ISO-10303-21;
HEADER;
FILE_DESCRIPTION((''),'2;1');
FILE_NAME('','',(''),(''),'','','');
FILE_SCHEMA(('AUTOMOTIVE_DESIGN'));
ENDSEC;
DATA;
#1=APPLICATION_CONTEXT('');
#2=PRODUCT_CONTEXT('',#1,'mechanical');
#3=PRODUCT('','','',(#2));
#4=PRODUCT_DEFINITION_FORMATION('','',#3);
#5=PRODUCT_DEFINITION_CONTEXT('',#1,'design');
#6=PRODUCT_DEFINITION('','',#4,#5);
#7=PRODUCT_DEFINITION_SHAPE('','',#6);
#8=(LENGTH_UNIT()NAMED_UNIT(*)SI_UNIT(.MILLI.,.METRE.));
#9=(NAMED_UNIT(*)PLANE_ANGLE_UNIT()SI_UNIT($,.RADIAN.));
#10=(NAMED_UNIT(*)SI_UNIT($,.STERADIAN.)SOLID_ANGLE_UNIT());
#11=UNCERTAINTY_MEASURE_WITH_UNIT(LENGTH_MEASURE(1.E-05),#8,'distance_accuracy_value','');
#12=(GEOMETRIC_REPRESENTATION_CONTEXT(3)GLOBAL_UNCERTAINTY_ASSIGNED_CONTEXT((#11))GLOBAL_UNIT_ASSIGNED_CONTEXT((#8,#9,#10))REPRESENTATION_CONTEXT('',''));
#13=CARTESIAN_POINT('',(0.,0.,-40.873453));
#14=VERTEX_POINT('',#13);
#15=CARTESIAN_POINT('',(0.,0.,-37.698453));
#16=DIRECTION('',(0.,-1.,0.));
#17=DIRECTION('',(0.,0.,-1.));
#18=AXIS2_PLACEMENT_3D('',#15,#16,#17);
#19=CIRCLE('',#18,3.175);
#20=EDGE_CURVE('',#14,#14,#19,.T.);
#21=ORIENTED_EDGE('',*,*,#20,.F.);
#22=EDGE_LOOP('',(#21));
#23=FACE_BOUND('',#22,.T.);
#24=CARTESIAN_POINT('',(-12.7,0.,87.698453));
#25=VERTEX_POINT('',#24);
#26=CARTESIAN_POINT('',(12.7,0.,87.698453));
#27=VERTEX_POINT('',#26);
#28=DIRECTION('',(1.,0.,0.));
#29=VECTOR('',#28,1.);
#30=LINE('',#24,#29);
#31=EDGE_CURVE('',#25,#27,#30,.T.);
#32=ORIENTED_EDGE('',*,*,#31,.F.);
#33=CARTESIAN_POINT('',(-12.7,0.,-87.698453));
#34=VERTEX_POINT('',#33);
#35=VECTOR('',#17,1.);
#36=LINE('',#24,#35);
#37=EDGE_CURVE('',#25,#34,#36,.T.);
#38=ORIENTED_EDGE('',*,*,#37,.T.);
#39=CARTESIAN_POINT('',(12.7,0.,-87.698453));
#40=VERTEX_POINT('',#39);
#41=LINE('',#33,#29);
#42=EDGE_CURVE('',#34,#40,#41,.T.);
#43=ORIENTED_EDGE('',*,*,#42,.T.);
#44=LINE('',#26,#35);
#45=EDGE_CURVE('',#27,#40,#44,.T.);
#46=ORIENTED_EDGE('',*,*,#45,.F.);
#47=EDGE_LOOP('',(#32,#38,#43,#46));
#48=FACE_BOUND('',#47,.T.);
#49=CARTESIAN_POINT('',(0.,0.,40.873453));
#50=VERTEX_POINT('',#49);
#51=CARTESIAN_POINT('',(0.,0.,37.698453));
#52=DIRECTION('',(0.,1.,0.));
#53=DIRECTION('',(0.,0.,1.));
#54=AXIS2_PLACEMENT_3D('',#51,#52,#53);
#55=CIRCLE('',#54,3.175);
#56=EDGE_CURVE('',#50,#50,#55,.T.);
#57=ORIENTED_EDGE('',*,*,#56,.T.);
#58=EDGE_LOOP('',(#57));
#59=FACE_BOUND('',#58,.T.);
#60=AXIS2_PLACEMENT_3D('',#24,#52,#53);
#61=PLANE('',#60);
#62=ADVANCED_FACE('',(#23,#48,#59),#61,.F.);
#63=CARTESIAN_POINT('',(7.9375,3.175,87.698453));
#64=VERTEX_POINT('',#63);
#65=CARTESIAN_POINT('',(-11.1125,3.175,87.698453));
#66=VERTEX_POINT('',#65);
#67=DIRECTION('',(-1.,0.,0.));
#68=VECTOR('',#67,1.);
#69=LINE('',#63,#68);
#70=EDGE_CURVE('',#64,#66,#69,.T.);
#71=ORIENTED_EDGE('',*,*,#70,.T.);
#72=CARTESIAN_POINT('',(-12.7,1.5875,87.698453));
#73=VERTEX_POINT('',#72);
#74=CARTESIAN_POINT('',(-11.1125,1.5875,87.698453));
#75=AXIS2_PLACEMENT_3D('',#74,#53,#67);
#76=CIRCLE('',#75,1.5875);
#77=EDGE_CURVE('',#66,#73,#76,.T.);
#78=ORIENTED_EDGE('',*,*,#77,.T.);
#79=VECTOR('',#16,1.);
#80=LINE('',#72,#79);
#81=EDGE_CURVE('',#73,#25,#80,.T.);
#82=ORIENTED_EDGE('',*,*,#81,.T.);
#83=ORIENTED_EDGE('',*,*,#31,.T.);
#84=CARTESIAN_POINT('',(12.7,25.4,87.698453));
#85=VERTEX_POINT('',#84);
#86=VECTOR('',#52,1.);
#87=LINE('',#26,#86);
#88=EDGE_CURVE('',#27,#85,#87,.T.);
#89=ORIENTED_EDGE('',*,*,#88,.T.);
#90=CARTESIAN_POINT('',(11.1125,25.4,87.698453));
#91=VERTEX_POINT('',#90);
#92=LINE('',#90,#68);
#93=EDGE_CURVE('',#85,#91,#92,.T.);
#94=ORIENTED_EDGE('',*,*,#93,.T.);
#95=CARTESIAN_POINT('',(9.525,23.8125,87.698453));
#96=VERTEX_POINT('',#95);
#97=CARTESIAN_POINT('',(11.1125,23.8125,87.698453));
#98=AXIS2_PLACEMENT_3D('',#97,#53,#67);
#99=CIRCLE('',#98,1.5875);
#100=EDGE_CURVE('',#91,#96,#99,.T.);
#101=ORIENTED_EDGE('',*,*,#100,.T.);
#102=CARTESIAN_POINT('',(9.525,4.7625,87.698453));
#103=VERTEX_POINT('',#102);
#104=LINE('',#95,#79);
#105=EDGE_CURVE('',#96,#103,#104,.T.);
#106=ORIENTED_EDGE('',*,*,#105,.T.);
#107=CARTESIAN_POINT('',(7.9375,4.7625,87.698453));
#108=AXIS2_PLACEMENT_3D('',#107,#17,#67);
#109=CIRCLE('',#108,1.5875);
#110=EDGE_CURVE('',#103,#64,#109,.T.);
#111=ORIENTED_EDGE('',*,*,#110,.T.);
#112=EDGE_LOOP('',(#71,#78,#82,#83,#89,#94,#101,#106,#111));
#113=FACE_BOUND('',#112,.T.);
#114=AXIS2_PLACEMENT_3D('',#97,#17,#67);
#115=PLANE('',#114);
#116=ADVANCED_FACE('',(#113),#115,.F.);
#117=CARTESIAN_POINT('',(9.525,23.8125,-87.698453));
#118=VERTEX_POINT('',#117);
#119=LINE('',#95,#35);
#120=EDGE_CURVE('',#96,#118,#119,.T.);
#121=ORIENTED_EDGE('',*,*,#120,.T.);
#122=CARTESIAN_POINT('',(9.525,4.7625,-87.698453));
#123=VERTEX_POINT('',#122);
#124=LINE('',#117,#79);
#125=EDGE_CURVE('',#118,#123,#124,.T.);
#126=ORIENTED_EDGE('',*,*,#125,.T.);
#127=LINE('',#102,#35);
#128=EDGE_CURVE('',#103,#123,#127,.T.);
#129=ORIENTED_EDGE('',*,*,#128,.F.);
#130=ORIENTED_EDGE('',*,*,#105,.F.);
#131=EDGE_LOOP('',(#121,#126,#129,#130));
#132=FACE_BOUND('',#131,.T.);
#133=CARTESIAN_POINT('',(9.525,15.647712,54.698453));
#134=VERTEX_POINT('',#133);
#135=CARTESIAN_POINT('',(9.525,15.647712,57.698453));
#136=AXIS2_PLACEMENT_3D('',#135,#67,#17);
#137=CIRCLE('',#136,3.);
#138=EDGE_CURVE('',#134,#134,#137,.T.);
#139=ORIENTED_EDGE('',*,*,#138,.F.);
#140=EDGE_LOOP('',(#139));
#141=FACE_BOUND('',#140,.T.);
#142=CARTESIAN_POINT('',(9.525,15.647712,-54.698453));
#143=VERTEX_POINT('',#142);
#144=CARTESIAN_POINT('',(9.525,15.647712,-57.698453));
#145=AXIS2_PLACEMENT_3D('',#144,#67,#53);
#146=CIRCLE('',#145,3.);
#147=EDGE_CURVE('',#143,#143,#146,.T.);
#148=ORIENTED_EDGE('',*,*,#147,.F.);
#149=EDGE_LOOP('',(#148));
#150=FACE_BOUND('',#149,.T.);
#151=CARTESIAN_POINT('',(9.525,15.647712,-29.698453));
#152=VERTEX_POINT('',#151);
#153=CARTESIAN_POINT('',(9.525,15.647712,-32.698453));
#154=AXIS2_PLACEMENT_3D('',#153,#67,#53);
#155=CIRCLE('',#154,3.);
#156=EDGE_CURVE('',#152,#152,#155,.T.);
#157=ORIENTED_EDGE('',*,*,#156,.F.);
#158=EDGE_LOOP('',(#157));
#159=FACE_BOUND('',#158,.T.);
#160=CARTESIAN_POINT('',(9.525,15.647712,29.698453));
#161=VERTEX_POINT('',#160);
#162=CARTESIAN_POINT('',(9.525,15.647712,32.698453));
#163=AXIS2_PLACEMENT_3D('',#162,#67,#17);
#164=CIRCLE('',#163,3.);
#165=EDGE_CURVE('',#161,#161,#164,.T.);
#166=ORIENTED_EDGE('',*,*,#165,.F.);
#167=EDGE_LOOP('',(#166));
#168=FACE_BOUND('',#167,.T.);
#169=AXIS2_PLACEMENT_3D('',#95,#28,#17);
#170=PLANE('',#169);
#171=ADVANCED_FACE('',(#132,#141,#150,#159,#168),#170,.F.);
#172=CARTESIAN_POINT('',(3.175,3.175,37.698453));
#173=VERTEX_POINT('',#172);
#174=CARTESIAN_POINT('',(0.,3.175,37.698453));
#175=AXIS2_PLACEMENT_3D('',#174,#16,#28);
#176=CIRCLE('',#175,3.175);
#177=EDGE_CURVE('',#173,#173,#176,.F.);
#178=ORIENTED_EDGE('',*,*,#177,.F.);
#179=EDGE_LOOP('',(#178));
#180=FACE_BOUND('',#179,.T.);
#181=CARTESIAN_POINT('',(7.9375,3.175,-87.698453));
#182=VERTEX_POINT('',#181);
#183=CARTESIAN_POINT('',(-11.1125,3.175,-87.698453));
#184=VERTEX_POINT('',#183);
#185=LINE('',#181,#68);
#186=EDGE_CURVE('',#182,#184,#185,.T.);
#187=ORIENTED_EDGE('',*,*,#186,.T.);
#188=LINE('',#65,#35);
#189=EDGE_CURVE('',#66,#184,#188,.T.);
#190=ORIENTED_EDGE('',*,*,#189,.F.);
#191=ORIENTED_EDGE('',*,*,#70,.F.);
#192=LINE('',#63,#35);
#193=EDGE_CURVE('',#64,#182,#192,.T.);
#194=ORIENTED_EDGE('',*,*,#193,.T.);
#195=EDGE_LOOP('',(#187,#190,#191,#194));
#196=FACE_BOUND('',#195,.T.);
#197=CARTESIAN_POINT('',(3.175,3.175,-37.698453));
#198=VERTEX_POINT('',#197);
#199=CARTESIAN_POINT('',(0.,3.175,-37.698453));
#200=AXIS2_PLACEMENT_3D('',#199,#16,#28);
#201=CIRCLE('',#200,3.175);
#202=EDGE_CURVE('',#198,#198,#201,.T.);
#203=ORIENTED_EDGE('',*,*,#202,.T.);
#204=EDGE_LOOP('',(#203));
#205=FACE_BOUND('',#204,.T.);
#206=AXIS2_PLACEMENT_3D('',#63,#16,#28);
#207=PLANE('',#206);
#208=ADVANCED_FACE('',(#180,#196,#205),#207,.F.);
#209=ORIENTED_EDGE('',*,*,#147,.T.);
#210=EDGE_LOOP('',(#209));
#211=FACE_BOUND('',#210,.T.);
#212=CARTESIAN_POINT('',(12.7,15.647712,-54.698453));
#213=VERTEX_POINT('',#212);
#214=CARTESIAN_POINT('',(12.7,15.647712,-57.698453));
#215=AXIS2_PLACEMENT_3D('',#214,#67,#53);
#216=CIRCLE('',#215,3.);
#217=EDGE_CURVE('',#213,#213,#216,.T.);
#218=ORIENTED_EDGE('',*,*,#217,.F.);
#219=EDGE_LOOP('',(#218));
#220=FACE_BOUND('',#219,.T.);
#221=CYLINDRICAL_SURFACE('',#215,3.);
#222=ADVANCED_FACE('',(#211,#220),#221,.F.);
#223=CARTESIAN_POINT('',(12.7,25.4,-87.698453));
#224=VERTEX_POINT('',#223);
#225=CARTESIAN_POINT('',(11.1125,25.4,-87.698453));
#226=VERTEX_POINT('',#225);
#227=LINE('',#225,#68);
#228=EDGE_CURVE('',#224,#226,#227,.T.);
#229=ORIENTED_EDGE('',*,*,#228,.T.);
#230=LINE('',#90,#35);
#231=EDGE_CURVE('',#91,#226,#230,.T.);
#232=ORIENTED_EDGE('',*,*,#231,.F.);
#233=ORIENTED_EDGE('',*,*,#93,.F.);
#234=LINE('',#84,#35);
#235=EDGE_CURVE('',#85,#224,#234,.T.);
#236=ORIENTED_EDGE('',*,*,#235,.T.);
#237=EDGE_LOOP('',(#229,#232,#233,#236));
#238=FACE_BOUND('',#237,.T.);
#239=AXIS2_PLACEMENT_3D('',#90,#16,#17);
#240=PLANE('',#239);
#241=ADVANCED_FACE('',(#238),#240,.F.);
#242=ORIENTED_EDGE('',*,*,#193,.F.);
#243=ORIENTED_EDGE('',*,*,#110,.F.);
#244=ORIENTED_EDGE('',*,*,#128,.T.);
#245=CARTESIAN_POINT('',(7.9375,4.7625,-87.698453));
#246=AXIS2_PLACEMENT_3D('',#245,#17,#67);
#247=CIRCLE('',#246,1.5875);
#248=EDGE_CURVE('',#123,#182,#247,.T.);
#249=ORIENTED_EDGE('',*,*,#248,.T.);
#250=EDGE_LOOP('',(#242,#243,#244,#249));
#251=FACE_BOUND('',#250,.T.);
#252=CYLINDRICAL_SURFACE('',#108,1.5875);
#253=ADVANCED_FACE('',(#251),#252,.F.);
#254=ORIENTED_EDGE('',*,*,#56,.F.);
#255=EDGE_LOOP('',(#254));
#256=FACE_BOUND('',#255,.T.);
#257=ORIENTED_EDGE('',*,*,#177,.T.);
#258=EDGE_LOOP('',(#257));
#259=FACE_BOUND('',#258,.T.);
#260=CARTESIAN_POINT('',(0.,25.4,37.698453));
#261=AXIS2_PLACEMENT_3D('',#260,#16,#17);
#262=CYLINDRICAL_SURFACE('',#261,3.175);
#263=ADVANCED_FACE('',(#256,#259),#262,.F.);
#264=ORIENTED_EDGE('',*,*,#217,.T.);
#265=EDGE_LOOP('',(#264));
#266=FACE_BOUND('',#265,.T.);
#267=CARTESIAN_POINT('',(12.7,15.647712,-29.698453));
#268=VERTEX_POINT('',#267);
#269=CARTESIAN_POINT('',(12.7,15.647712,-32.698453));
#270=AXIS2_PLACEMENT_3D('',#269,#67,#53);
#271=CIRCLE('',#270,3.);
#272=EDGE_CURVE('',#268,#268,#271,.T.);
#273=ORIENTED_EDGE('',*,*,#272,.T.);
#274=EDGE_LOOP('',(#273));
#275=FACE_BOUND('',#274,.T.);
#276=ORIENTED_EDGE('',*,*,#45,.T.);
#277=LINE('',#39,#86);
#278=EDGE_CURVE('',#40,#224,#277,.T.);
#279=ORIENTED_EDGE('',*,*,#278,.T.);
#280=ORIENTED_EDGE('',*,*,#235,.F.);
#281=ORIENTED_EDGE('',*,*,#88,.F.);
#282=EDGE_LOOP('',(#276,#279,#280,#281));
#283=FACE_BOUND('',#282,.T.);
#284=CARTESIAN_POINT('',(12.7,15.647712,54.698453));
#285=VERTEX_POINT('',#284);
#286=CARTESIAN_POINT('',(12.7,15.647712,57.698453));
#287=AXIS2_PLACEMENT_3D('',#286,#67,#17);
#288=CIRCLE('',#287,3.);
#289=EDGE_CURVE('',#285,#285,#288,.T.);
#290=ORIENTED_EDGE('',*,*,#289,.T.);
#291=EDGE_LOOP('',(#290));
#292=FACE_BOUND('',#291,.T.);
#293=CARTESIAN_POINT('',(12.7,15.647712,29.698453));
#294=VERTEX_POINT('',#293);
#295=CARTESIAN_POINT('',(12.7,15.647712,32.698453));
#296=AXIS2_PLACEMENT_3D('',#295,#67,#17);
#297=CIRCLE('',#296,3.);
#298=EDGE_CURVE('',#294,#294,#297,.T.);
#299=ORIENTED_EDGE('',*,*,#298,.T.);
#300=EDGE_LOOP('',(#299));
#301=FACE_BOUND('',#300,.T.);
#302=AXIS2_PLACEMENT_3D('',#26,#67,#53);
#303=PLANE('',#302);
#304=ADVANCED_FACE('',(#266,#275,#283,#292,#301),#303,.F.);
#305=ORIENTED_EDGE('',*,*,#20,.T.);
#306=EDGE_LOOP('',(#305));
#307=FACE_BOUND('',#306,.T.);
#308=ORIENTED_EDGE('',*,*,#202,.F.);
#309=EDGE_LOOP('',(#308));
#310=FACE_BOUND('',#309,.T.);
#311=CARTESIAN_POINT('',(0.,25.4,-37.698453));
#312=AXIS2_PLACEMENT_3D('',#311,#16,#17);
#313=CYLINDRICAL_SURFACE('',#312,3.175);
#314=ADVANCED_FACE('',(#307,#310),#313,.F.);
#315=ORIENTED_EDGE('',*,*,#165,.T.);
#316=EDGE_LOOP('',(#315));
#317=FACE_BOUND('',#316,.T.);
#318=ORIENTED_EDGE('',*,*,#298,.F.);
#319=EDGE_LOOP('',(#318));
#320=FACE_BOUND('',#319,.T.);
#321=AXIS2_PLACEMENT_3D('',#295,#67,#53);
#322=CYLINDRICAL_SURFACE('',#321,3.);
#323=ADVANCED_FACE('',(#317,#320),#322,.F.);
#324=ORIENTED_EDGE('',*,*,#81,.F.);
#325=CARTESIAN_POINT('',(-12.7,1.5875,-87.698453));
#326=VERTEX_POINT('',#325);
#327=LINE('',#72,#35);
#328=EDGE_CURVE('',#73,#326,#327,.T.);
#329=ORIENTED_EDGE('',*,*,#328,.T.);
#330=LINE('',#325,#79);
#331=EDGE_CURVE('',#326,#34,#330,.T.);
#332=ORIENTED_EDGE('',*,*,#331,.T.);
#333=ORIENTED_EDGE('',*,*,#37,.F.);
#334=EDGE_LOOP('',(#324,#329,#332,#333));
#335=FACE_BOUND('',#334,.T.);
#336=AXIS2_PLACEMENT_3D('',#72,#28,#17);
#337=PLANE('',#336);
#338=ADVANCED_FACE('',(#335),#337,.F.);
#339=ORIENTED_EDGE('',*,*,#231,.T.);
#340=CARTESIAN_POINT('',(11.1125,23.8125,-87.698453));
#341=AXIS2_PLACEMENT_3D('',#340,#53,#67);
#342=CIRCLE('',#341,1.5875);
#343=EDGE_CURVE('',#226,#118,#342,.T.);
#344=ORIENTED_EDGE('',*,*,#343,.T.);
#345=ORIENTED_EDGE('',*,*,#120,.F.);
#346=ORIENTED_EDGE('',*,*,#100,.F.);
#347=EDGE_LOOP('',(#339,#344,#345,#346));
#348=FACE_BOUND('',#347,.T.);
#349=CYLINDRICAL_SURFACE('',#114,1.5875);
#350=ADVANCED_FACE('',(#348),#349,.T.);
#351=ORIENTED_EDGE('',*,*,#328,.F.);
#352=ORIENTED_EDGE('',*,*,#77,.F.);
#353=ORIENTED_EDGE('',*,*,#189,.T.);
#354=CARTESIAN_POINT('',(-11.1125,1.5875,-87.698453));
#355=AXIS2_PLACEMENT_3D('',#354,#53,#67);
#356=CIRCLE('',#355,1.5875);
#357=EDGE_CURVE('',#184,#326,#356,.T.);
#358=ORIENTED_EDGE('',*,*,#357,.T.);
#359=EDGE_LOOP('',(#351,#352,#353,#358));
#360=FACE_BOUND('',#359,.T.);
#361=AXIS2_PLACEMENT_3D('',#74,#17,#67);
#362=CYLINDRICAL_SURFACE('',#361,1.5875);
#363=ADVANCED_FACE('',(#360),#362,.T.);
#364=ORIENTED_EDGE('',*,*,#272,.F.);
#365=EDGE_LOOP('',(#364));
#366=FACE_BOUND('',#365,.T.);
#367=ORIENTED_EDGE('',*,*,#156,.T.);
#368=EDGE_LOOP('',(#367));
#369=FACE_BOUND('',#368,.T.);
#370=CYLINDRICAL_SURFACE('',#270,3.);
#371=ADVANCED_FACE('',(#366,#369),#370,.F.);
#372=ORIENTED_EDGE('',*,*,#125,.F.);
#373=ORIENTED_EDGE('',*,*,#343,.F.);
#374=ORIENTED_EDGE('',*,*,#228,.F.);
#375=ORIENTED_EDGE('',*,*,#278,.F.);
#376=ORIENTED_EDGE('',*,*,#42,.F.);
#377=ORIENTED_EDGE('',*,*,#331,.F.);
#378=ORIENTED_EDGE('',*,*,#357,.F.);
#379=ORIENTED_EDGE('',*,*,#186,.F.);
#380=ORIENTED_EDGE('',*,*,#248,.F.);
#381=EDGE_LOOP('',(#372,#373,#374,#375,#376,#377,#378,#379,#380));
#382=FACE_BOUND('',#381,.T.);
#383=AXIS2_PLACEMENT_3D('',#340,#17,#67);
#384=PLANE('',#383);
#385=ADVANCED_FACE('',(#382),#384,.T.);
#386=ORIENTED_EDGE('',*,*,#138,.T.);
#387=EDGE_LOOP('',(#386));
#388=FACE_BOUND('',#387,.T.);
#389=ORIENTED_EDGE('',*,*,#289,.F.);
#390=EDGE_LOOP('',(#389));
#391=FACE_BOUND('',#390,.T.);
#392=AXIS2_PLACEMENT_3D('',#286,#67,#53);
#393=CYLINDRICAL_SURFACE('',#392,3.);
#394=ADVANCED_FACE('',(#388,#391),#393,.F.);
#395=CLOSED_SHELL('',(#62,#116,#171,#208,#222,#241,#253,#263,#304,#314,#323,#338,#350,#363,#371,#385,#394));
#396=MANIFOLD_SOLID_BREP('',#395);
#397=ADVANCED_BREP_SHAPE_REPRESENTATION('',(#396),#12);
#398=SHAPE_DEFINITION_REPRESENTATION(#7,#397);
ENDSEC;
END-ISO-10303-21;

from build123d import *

# Parameters (mm, degrees)
BOSS_EXTRUDE1_DEPTH = 87.698453
SKETCH3_R           = 3.175
CUT_EXTRUDE1_DEPTH  = 93.181715424
SKETCH4_R           = 3
CUT_EXTRUDE2_DEPTH  = 94.968767596


with BuildPart() as part:
    # Sketch2 → Boss-Extrude1 (new, symmetric)
    with BuildSketch(Plane.XY):
        with BuildLine():
            Line((-12.7, 0), (12.7, 0))
            Line((12.7, 0), (12.7, 25.4))
            Line((12.7, 25.4), (11.1125, 25.4))
            ThreePointArc((11.1125, 25.4), (9.989967985, 24.935032015), (9.525, 23.8125))
            Line((9.525, 23.8125), (9.525, 4.7625))
            ThreePointArc((9.525, 4.7625), (9.060032015, 3.639967985), (7.9375, 3.175))
            Line((7.9375, 3.175), (-11.1125, 3.175))
            ThreePointArc((-11.1125, 3.175), (-12.235032015, 2.710032015), (-12.7, 1.5875))
            Line((-12.7, 1.5875), (-12.7, 0))
        make_face()
    extrude(amount=BOSS_EXTRUDE1_DEPTH, both=True)

    # Sketch3 → Cut-Extrude1 (cut, through all)
    with BuildSketch(Plane.XZ):
        with Locations(Location((0, -37.698453, 0), (0, 0, 270))):
            Circle(SKETCH3_R)
        with Locations((0, 37.698453)):
            Circle(SKETCH3_R)
    extrude(amount=-CUT_EXTRUDE1_DEPTH, mode=Mode.SUBTRACT)

    # Sketch4 → Cut-Extrude2 (cut, through all)
    with BuildSketch(Plane.ZY.offset(-9.525)):
        with Locations((-57.698453, 15.647712404)):
            Circle(SKETCH4_R)
        with Locations((-32.698453, 15.647712404)):
            Circle(SKETCH4_R)
        with Locations(Location((57.698453, 15.647712404, 0), (0, 0, 180))):
            Circle(SKETCH4_R)
        with Locations(Location((32.698453, 15.647712404, 0), (0, 0, 180))):
            Circle(SKETCH4_R)
    extrude(amount=-CUT_EXTRUDE2_DEPTH, mode=Mode.SUBTRACT)


solid = part.part
